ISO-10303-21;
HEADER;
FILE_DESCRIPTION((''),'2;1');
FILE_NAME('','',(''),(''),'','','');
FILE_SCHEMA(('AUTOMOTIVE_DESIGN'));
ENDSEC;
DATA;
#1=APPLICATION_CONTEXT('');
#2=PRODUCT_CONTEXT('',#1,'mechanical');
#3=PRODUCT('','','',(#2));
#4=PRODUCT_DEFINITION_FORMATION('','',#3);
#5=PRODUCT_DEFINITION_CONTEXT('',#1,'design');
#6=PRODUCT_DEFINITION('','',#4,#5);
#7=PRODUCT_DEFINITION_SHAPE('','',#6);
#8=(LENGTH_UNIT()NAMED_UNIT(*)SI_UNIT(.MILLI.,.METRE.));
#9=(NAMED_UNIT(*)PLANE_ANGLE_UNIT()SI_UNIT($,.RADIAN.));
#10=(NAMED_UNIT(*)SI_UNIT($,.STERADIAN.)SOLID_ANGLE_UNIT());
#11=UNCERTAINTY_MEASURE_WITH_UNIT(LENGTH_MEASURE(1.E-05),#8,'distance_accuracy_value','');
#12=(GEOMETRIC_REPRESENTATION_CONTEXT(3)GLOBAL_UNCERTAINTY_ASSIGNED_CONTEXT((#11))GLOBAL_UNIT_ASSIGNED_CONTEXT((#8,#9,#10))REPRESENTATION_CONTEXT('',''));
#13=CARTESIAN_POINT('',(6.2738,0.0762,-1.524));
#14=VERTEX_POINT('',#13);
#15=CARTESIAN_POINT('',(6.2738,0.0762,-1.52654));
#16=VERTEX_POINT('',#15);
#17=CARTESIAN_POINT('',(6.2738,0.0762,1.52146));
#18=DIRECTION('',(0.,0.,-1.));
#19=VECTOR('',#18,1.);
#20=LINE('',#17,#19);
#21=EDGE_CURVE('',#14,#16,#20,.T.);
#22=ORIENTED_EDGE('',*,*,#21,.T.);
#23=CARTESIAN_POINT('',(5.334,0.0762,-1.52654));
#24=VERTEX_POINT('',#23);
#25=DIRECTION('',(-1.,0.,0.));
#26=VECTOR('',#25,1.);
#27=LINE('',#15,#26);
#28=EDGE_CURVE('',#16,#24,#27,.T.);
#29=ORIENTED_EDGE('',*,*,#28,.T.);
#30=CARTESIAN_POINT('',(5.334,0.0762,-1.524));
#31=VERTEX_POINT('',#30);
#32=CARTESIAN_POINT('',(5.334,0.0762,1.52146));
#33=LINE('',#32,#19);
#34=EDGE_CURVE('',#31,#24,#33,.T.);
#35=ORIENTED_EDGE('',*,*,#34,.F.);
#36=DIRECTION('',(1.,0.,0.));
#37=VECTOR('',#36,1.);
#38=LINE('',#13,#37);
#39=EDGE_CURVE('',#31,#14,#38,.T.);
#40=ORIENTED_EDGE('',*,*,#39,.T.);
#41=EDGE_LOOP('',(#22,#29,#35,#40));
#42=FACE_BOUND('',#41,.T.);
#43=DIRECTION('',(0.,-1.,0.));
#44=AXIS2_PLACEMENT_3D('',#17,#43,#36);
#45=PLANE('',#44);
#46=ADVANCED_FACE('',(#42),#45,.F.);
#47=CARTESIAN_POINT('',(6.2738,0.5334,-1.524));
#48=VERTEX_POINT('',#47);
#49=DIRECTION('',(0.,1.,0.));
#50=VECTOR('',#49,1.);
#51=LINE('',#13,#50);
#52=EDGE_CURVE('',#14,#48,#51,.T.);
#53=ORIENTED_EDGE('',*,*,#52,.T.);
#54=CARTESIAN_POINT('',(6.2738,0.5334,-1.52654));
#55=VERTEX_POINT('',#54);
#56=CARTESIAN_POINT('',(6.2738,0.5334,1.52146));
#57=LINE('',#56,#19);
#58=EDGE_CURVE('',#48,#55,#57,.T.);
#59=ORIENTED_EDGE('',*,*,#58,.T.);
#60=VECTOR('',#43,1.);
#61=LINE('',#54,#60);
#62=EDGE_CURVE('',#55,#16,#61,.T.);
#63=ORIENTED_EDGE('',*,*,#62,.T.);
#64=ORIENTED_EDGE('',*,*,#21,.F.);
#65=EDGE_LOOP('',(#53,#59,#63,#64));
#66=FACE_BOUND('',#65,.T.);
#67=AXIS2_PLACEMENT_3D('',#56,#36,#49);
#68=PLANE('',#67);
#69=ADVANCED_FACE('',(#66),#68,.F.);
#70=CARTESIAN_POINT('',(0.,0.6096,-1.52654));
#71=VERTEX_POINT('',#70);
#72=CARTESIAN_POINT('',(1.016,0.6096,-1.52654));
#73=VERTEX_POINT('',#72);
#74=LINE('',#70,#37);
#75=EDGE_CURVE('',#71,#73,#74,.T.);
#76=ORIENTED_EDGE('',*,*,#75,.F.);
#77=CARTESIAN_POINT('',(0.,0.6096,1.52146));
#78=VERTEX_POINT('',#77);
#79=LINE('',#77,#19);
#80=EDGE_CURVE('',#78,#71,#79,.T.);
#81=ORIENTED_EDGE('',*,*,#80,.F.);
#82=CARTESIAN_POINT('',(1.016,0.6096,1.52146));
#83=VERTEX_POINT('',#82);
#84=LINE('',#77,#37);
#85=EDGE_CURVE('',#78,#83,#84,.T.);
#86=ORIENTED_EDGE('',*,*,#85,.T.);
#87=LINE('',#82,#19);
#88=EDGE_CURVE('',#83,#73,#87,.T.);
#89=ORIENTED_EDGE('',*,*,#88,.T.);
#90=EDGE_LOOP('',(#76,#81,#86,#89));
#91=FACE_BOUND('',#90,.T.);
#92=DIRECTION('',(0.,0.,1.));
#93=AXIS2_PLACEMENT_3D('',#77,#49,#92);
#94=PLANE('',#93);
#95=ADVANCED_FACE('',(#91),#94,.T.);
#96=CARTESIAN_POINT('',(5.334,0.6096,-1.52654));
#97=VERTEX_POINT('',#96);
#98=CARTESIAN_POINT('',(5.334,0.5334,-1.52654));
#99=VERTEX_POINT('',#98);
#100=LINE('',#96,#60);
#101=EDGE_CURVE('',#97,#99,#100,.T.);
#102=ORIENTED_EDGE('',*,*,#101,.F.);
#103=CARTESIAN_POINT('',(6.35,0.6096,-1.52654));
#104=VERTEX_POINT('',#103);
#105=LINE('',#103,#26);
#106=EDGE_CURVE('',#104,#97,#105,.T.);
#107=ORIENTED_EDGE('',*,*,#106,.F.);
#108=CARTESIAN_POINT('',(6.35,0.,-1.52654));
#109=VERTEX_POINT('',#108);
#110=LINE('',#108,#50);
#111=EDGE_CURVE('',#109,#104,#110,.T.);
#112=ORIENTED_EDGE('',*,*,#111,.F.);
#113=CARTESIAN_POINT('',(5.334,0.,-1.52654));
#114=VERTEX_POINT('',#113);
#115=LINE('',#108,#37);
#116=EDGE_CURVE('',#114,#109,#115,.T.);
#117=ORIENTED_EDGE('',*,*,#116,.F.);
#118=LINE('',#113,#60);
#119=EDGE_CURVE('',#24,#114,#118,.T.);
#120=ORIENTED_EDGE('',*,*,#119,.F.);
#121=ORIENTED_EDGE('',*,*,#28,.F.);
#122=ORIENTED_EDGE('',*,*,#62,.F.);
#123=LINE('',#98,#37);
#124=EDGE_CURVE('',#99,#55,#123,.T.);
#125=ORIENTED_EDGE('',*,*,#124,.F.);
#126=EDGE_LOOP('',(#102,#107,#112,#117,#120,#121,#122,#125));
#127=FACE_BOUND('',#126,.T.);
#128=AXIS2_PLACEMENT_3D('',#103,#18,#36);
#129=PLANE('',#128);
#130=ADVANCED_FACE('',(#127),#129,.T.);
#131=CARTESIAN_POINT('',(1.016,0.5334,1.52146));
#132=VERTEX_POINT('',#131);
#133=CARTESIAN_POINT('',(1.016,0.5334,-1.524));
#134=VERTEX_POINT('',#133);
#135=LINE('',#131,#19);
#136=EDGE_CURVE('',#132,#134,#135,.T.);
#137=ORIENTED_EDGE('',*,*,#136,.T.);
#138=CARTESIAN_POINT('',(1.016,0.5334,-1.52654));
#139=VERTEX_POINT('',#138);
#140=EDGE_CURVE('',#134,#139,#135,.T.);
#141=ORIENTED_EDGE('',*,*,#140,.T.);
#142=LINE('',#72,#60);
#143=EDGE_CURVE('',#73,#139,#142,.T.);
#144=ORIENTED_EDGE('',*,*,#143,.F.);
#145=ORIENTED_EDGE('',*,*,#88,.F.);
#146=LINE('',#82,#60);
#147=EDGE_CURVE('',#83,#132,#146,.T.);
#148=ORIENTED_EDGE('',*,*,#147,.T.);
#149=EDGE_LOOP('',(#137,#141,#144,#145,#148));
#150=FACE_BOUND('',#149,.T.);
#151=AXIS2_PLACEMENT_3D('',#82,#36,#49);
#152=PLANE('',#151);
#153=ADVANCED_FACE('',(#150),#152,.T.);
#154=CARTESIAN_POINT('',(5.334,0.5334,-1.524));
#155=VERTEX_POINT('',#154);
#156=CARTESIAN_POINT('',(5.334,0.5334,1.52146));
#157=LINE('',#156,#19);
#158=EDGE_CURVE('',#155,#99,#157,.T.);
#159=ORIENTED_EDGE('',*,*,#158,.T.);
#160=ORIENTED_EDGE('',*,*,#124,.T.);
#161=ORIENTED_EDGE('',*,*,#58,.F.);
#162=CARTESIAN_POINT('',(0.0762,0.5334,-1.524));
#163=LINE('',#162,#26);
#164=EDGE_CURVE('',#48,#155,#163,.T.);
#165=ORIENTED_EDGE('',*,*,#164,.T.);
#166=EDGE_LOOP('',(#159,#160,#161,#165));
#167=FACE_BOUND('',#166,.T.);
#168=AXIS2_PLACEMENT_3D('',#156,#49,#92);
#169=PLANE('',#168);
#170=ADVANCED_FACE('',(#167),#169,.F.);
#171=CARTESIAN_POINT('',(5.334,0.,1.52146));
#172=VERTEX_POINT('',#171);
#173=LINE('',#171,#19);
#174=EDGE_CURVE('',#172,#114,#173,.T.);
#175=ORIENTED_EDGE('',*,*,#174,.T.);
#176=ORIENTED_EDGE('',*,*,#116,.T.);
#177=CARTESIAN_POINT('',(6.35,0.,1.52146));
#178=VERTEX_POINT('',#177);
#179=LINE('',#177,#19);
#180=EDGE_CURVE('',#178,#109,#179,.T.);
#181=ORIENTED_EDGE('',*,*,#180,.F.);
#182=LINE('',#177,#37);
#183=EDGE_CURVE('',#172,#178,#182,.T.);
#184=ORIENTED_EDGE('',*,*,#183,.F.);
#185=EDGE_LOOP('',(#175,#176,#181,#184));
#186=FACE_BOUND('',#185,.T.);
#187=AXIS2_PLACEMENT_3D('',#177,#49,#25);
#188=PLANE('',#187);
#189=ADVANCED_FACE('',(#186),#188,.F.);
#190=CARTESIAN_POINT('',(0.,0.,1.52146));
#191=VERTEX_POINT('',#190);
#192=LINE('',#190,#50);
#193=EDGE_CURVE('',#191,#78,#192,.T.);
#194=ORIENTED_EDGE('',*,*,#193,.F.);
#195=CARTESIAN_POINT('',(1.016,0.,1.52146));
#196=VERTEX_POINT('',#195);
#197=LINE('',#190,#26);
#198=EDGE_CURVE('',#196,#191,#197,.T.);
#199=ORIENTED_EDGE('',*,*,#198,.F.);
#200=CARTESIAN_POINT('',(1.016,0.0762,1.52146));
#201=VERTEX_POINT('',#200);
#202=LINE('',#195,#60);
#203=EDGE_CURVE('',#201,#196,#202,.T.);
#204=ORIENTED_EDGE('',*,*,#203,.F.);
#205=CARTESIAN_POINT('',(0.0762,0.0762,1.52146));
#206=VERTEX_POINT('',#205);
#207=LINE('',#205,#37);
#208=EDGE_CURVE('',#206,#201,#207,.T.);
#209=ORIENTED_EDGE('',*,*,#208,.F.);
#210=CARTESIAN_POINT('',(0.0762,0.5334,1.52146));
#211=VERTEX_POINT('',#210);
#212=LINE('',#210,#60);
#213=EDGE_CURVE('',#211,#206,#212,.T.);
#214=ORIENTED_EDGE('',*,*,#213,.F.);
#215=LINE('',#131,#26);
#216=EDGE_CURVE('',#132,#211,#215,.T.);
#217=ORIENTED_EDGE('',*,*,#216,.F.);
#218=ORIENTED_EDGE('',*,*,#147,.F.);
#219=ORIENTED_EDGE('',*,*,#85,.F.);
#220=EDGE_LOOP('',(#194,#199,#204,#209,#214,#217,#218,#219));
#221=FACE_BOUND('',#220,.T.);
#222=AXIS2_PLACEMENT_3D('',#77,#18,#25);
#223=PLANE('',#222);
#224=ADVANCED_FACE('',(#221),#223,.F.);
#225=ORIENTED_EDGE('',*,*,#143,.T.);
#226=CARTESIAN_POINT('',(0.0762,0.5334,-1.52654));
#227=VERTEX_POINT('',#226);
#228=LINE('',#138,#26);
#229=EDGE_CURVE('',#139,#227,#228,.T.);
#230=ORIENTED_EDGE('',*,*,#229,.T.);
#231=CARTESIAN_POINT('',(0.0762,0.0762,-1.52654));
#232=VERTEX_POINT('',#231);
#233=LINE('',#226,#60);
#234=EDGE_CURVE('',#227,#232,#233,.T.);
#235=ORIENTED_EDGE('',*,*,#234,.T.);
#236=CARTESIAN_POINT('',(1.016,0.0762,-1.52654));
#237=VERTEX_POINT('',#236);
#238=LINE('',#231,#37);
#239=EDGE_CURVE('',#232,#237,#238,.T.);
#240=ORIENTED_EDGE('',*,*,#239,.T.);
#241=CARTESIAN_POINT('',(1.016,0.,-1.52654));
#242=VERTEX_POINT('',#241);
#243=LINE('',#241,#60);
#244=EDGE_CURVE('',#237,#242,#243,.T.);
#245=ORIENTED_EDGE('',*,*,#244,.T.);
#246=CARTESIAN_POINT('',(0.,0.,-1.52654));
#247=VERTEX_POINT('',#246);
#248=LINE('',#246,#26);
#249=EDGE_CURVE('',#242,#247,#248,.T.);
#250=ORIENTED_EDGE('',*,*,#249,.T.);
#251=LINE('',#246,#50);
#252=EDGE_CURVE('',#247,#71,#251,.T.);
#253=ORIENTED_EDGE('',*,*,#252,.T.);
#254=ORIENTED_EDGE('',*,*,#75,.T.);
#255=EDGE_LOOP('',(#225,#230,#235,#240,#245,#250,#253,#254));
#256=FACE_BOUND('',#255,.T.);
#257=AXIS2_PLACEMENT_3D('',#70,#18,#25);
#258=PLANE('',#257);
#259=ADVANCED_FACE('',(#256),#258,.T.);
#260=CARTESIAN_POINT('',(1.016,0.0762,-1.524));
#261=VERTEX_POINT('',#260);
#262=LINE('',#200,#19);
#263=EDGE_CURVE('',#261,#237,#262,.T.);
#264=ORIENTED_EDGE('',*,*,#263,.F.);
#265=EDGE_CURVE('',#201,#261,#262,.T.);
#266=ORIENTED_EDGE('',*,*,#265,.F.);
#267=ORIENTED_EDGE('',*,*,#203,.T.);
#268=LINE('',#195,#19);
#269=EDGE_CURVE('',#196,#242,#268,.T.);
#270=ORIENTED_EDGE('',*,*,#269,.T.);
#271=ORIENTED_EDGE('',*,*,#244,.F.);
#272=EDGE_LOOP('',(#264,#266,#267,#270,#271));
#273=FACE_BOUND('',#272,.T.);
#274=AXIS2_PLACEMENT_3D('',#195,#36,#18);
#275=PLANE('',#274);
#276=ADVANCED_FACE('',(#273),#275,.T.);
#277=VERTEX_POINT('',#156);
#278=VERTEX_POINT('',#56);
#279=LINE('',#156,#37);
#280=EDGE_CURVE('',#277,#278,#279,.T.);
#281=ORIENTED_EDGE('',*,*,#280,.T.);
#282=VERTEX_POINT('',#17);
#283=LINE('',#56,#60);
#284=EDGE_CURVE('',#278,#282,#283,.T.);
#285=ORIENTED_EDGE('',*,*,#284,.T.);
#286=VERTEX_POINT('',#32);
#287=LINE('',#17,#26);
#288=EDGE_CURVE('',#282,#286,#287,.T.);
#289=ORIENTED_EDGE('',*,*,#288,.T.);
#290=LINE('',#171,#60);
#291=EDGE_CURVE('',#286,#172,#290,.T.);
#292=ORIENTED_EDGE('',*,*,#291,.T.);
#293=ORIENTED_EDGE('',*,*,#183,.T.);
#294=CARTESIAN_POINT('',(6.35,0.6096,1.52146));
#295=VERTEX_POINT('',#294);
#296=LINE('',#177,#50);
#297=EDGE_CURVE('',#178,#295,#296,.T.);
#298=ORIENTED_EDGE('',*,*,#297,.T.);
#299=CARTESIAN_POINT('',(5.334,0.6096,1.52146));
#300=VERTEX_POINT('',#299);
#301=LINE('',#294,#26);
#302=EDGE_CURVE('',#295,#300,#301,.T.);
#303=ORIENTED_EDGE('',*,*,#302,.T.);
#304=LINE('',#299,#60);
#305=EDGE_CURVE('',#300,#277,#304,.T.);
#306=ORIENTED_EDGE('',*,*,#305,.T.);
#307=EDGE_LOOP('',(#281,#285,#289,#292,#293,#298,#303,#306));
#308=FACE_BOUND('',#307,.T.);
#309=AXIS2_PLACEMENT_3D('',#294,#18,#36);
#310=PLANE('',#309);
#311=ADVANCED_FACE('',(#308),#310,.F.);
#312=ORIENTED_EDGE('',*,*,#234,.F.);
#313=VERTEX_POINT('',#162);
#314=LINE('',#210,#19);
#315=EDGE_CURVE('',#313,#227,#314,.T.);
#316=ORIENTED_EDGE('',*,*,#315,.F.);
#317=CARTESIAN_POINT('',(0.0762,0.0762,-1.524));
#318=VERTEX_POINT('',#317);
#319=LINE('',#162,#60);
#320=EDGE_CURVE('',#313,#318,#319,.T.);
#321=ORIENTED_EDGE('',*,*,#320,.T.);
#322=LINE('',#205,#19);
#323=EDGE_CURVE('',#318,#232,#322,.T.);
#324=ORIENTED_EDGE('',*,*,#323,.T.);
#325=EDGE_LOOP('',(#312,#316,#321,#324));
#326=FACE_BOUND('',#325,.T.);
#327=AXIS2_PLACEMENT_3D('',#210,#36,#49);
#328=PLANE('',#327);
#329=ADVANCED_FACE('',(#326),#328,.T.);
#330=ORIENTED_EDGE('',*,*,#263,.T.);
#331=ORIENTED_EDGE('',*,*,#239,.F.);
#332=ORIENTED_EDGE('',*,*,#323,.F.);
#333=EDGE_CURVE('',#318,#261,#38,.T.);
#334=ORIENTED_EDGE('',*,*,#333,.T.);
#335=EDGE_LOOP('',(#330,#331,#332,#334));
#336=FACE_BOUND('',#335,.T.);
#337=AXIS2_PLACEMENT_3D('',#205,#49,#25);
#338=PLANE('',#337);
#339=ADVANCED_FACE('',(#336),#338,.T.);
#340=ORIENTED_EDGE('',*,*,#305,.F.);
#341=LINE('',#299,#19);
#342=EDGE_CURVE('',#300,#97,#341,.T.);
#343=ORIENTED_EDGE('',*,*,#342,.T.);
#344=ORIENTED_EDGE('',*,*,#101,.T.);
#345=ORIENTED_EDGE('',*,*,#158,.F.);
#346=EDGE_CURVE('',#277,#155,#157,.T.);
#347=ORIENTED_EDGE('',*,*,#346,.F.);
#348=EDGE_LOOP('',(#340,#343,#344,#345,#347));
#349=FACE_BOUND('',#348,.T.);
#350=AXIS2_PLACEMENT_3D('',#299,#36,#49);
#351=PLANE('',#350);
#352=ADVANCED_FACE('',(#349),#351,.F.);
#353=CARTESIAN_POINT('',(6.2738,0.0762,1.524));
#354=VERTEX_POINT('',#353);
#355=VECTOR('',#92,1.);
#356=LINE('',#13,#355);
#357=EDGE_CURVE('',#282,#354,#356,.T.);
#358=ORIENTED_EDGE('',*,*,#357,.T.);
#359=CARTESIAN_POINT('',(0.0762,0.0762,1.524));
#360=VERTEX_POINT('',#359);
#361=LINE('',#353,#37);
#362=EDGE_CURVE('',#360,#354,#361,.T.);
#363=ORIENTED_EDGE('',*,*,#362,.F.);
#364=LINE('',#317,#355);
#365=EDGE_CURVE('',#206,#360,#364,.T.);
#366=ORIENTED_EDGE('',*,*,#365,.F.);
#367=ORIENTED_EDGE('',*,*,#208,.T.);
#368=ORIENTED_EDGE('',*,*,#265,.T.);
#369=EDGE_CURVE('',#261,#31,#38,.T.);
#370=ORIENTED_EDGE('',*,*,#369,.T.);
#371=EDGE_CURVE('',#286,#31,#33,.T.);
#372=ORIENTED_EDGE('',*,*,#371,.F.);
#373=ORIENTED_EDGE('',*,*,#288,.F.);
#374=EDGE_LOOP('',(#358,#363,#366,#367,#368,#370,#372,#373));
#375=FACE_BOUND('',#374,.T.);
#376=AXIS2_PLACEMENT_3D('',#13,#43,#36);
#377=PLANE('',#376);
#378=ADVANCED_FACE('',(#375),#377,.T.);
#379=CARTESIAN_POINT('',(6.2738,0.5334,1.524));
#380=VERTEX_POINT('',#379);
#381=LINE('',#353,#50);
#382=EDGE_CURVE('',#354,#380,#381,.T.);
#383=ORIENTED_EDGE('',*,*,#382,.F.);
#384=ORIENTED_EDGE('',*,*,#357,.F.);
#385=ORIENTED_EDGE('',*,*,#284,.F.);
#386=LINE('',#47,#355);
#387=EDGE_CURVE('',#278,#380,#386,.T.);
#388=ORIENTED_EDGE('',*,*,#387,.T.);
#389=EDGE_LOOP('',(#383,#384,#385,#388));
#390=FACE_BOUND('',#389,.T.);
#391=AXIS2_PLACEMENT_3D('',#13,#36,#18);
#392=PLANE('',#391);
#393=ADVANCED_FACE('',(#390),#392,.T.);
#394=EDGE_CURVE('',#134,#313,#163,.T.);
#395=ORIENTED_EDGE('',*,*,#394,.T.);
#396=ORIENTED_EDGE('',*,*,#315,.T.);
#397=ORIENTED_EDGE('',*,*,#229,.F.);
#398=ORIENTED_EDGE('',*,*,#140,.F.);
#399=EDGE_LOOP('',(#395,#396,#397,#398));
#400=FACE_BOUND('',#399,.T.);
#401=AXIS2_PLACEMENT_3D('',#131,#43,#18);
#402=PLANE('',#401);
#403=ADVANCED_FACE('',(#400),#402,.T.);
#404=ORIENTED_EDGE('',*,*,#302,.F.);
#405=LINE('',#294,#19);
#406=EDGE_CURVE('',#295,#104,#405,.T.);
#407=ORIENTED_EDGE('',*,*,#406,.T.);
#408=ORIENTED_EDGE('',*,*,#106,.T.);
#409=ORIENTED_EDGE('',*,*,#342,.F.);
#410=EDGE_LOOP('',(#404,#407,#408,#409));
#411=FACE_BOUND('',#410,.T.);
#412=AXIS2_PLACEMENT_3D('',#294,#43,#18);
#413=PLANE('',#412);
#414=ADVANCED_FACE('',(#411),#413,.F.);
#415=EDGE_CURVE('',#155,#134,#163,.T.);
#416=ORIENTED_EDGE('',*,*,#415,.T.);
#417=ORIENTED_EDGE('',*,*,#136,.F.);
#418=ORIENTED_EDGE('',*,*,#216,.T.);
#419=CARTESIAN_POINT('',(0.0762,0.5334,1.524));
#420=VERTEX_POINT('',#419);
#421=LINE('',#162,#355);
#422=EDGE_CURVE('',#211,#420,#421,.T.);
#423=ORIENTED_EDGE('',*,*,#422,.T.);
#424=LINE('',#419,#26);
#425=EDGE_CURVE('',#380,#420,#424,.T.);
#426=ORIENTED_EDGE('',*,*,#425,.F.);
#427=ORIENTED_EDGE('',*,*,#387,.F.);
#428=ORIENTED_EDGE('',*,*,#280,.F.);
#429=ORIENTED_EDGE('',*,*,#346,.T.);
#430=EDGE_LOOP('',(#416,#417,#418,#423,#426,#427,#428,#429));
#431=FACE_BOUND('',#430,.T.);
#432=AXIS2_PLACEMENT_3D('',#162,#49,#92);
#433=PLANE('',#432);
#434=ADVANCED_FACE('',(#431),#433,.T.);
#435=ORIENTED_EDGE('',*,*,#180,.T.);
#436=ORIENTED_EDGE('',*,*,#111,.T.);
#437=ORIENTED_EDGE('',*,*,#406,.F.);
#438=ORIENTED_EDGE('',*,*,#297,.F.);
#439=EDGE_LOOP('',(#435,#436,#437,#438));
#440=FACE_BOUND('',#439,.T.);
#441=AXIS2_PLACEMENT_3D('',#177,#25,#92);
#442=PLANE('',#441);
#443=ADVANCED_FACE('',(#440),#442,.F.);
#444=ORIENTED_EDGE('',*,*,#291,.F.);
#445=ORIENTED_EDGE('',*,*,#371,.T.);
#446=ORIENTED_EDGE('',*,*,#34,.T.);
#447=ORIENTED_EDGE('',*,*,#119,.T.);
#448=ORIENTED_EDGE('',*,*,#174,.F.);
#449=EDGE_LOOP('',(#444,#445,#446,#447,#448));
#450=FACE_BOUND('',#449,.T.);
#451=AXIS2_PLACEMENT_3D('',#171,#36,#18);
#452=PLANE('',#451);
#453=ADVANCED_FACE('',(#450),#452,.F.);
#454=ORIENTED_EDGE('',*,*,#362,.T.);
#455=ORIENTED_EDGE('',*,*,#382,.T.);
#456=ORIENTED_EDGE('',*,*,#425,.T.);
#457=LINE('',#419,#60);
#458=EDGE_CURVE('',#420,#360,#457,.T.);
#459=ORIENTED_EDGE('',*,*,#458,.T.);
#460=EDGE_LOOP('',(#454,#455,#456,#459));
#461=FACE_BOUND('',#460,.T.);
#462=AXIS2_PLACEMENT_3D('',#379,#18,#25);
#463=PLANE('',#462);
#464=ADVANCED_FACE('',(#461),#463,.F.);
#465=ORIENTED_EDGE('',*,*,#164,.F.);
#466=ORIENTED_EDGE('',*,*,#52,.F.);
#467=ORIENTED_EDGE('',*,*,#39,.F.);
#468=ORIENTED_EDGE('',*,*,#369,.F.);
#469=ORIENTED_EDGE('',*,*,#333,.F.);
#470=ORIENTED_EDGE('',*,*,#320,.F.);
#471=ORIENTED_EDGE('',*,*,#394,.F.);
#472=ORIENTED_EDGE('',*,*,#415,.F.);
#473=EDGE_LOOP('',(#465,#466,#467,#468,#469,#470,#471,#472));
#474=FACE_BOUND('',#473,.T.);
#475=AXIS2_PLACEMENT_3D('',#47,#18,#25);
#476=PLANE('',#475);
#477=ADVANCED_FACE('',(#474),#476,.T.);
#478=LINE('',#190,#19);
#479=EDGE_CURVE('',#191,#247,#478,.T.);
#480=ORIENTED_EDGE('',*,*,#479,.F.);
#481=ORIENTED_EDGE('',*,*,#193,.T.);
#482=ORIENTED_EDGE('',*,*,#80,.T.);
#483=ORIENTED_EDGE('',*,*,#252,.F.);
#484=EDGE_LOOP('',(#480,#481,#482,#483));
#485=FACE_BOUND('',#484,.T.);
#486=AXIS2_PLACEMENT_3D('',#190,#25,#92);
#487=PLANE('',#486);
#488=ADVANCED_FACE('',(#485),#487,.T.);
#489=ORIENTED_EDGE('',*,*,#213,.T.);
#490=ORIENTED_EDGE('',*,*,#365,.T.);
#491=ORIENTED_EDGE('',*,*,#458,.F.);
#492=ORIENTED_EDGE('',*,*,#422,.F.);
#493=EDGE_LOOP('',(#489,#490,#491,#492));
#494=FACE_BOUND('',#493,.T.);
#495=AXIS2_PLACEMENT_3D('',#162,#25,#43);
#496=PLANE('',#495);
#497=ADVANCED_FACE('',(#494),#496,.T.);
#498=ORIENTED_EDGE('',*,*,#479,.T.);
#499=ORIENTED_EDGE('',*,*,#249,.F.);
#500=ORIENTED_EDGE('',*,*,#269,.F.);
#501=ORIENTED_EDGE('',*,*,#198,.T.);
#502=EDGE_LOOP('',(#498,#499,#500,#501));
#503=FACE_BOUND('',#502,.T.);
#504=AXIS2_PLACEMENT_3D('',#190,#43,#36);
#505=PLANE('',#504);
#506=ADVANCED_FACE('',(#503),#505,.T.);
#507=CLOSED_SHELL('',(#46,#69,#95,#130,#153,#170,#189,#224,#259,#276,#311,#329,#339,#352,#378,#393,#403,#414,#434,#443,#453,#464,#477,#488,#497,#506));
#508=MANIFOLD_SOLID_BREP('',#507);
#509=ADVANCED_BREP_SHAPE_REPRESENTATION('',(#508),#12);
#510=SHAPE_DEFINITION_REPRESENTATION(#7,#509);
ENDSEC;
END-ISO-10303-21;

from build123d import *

# Parameters (mm, degrees)
SKETCH1_W           = 6.1976
SKETCH1_H           = 0.4572
BASE_EXTRUDE_DEPTH  = 1.524
BOSS_EXTRUDE1_DEPTH = 3.048


with BuildPart() as part:
    # Sketch1 → Base-Extrude (new body, symmetric)
    with BuildSketch(Plane.XY):
        with Locations((3.175, 0.3048)):
            Rectangle(SKETCH1_W, SKETCH1_H)
    extrude(amount=BASE_EXTRUDE_DEPTH, both=True)

    # Sketch2 → Boss-Extrude1 (add)
    with BuildSketch(Plane(origin=(0, 0, -1.52654), x_dir=(-1, 0, 0), z_dir=(0, 0, -1))):
        Polygon((0, 0), (-1.016, 0), (-1.016, 0.0762), (-0.0762, 0.0762), (-0.0762, 0.5334), (-1.016, 0.5334), (-1.016, 0.6096), (0, 0.6096), align=None)
    boss_extrude1 = extrude(amount=-BOSS_EXTRUDE1_DEPTH)

    # Mirror1: Boss-Extrude1 across plane
    add(boss_extrude1.mirror(Plane(origin=(3.175, 0, 0), x_dir=(0, 0, 1), z_dir=(1, 0, 0))))


solid = part.part
